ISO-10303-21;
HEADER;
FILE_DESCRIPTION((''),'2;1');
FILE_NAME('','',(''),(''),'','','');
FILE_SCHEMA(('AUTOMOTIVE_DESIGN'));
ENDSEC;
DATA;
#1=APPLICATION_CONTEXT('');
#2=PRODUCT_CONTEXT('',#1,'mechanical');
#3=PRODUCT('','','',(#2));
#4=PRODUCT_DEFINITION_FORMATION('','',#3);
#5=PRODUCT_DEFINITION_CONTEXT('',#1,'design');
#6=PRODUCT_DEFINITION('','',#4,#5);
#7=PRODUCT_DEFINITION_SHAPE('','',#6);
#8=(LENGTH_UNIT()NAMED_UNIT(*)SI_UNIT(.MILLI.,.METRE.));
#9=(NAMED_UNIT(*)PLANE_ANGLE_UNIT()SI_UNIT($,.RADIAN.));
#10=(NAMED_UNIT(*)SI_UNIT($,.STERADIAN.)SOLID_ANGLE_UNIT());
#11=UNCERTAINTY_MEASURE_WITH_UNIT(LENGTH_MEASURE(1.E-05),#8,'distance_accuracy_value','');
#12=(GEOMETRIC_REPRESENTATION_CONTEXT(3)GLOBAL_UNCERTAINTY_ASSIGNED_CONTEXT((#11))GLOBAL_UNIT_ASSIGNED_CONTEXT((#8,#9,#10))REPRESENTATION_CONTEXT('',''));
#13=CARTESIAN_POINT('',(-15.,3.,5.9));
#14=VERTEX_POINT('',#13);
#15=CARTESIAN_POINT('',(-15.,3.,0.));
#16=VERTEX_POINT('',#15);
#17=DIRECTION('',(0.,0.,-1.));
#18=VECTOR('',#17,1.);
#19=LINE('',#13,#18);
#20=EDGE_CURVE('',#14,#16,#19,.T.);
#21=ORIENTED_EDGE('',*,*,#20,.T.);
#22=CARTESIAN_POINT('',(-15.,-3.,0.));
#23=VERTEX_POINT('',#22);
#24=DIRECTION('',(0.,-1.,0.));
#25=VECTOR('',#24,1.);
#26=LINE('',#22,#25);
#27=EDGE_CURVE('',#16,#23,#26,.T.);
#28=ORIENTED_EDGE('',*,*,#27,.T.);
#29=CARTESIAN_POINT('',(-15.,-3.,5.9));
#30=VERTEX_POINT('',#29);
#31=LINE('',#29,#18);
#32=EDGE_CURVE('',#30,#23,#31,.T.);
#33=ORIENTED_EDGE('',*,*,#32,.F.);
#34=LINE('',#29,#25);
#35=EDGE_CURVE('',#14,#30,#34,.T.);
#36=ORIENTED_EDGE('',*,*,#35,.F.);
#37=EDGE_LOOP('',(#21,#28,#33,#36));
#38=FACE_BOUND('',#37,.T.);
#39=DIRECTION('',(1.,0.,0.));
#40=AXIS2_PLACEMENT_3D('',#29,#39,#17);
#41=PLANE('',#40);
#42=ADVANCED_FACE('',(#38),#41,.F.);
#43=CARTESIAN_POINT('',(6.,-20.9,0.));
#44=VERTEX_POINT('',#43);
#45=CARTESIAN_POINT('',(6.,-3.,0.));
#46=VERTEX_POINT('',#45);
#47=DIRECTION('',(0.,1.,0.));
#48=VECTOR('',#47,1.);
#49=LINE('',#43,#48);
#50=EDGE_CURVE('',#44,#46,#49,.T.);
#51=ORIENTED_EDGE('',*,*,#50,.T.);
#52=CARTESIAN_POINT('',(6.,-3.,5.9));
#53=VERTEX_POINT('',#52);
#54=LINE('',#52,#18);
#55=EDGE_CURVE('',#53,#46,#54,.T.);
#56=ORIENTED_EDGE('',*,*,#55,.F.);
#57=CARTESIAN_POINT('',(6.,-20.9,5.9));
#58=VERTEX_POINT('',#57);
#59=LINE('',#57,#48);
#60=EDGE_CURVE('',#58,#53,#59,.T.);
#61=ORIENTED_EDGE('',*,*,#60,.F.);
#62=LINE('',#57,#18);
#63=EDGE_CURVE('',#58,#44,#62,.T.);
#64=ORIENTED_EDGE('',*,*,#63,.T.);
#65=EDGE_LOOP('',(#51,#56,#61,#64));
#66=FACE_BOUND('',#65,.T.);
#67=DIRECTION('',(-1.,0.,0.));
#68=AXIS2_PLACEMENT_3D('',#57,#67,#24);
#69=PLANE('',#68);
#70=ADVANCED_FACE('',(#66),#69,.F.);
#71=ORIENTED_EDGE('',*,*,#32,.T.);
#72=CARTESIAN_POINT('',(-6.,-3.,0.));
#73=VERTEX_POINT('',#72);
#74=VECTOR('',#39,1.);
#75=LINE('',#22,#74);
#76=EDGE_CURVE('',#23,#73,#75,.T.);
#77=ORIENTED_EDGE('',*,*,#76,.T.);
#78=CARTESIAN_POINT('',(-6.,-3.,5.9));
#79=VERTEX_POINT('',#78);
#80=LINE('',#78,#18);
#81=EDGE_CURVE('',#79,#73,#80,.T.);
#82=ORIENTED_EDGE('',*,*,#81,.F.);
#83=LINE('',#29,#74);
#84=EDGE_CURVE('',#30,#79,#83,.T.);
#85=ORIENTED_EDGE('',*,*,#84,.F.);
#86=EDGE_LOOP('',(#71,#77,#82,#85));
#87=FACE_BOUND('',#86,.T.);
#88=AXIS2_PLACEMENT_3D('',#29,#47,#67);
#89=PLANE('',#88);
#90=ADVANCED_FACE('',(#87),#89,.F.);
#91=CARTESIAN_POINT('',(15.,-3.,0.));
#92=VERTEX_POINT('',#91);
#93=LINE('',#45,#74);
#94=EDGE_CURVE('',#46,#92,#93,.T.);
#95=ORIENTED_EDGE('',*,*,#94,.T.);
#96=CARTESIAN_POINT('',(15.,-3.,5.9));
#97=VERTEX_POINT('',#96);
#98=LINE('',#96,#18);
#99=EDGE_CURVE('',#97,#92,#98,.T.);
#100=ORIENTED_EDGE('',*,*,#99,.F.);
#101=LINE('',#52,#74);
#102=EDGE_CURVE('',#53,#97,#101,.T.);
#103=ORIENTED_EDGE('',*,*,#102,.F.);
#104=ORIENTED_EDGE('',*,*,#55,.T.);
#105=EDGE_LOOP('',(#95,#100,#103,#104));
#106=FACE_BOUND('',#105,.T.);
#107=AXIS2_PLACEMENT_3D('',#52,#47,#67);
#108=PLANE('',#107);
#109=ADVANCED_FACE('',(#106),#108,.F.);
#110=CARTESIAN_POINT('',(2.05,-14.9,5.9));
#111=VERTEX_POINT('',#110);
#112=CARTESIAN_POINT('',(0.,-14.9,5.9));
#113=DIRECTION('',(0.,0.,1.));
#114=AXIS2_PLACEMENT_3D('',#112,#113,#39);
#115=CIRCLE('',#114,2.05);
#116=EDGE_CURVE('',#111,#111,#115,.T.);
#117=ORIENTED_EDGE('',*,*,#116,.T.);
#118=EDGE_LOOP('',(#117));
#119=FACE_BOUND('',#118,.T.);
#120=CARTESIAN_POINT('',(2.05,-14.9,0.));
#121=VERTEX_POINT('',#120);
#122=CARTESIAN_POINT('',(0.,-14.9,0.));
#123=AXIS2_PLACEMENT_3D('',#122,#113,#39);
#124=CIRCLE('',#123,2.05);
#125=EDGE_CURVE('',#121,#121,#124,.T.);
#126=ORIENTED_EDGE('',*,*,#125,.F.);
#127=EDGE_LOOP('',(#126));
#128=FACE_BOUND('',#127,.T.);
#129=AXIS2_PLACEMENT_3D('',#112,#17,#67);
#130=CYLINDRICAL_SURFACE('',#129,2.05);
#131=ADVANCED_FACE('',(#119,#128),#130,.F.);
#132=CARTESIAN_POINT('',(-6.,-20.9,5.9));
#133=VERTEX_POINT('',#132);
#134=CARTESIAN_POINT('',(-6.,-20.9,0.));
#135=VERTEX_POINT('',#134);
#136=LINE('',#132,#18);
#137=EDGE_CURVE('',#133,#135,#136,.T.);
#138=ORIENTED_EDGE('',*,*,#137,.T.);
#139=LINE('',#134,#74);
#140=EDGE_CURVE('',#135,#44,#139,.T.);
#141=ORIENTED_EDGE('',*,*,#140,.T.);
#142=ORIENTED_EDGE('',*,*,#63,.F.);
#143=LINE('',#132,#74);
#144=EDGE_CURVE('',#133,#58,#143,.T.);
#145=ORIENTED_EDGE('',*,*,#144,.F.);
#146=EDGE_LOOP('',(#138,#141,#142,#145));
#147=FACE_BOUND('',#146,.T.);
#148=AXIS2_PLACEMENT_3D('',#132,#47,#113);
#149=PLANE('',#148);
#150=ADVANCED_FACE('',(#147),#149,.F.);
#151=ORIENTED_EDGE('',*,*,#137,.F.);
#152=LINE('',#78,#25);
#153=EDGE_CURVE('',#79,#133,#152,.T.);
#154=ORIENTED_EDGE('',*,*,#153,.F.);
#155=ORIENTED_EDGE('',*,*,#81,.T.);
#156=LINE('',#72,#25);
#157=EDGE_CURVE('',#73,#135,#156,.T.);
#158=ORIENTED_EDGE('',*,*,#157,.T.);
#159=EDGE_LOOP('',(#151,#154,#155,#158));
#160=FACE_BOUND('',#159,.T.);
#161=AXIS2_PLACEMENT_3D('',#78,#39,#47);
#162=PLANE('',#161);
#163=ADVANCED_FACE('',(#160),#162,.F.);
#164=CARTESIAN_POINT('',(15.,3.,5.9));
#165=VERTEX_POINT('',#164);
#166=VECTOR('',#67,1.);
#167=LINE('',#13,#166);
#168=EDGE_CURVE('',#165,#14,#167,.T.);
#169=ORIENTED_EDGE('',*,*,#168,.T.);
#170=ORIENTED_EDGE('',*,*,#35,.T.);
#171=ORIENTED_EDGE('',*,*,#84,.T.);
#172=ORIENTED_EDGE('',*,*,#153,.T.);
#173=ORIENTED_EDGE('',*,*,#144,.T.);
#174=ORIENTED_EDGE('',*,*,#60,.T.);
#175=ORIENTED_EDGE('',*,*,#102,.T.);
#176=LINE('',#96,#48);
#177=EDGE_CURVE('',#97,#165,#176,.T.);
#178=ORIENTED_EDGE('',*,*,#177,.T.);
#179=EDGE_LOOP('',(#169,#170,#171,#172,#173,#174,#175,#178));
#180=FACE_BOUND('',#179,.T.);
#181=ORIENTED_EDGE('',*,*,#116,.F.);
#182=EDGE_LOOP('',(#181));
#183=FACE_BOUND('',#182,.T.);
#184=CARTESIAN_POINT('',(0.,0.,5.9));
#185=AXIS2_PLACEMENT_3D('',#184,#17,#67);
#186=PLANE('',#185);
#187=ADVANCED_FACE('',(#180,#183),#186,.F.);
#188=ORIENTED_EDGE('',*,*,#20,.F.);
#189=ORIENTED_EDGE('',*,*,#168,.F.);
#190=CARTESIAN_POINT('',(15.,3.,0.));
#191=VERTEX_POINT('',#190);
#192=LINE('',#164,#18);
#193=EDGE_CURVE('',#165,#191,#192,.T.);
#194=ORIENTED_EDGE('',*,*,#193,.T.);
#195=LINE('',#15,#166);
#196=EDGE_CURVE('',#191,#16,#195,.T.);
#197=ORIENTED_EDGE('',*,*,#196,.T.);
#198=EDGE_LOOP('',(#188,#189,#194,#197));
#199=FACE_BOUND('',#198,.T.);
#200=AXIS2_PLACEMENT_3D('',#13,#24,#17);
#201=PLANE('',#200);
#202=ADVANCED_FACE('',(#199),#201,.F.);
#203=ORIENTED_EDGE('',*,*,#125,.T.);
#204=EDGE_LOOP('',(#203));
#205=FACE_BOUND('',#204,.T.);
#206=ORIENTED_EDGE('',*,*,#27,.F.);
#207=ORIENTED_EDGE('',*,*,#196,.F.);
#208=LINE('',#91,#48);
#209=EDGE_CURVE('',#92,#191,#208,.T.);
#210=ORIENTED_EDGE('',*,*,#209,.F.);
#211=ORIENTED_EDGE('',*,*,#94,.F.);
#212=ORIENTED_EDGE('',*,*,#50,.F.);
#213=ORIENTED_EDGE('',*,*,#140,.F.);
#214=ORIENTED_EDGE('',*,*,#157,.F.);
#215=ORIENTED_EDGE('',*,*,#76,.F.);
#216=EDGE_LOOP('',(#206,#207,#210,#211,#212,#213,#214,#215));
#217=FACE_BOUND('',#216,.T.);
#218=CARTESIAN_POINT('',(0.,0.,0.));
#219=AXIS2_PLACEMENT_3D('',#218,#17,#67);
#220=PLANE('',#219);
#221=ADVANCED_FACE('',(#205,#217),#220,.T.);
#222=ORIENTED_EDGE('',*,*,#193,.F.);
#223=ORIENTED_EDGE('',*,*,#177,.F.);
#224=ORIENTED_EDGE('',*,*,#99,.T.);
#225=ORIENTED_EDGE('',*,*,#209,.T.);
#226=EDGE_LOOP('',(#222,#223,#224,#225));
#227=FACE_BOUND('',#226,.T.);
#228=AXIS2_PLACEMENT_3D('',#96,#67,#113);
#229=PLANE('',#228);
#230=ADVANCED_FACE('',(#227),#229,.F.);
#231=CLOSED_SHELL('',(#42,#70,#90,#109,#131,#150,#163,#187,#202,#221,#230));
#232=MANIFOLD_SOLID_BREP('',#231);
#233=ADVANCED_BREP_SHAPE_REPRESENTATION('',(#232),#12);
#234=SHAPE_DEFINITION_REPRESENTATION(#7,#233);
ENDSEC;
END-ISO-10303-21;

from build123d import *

# Parameters (mm, degrees)
SKETCH1_R           = 2.05
BOSS_EXTRUDE1_DEPTH = 5.9


with BuildPart() as part:
    # Sketch1 → Boss-Extrude1 (new body)
    with BuildSketch(Plane.XY):
        Polygon((-15, -3), (-6, -3), (-6, -20.9), (6, -20.9), (6, -3), (15, -3), (15, 3), (-15, 3), align=None)
        with Locations((0, -14.9)):
            Circle(SKETCH1_R, mode=Mode.SUBTRACT)
    extrude(amount=BOSS_EXTRUDE1_DEPTH)


solid = part.part
